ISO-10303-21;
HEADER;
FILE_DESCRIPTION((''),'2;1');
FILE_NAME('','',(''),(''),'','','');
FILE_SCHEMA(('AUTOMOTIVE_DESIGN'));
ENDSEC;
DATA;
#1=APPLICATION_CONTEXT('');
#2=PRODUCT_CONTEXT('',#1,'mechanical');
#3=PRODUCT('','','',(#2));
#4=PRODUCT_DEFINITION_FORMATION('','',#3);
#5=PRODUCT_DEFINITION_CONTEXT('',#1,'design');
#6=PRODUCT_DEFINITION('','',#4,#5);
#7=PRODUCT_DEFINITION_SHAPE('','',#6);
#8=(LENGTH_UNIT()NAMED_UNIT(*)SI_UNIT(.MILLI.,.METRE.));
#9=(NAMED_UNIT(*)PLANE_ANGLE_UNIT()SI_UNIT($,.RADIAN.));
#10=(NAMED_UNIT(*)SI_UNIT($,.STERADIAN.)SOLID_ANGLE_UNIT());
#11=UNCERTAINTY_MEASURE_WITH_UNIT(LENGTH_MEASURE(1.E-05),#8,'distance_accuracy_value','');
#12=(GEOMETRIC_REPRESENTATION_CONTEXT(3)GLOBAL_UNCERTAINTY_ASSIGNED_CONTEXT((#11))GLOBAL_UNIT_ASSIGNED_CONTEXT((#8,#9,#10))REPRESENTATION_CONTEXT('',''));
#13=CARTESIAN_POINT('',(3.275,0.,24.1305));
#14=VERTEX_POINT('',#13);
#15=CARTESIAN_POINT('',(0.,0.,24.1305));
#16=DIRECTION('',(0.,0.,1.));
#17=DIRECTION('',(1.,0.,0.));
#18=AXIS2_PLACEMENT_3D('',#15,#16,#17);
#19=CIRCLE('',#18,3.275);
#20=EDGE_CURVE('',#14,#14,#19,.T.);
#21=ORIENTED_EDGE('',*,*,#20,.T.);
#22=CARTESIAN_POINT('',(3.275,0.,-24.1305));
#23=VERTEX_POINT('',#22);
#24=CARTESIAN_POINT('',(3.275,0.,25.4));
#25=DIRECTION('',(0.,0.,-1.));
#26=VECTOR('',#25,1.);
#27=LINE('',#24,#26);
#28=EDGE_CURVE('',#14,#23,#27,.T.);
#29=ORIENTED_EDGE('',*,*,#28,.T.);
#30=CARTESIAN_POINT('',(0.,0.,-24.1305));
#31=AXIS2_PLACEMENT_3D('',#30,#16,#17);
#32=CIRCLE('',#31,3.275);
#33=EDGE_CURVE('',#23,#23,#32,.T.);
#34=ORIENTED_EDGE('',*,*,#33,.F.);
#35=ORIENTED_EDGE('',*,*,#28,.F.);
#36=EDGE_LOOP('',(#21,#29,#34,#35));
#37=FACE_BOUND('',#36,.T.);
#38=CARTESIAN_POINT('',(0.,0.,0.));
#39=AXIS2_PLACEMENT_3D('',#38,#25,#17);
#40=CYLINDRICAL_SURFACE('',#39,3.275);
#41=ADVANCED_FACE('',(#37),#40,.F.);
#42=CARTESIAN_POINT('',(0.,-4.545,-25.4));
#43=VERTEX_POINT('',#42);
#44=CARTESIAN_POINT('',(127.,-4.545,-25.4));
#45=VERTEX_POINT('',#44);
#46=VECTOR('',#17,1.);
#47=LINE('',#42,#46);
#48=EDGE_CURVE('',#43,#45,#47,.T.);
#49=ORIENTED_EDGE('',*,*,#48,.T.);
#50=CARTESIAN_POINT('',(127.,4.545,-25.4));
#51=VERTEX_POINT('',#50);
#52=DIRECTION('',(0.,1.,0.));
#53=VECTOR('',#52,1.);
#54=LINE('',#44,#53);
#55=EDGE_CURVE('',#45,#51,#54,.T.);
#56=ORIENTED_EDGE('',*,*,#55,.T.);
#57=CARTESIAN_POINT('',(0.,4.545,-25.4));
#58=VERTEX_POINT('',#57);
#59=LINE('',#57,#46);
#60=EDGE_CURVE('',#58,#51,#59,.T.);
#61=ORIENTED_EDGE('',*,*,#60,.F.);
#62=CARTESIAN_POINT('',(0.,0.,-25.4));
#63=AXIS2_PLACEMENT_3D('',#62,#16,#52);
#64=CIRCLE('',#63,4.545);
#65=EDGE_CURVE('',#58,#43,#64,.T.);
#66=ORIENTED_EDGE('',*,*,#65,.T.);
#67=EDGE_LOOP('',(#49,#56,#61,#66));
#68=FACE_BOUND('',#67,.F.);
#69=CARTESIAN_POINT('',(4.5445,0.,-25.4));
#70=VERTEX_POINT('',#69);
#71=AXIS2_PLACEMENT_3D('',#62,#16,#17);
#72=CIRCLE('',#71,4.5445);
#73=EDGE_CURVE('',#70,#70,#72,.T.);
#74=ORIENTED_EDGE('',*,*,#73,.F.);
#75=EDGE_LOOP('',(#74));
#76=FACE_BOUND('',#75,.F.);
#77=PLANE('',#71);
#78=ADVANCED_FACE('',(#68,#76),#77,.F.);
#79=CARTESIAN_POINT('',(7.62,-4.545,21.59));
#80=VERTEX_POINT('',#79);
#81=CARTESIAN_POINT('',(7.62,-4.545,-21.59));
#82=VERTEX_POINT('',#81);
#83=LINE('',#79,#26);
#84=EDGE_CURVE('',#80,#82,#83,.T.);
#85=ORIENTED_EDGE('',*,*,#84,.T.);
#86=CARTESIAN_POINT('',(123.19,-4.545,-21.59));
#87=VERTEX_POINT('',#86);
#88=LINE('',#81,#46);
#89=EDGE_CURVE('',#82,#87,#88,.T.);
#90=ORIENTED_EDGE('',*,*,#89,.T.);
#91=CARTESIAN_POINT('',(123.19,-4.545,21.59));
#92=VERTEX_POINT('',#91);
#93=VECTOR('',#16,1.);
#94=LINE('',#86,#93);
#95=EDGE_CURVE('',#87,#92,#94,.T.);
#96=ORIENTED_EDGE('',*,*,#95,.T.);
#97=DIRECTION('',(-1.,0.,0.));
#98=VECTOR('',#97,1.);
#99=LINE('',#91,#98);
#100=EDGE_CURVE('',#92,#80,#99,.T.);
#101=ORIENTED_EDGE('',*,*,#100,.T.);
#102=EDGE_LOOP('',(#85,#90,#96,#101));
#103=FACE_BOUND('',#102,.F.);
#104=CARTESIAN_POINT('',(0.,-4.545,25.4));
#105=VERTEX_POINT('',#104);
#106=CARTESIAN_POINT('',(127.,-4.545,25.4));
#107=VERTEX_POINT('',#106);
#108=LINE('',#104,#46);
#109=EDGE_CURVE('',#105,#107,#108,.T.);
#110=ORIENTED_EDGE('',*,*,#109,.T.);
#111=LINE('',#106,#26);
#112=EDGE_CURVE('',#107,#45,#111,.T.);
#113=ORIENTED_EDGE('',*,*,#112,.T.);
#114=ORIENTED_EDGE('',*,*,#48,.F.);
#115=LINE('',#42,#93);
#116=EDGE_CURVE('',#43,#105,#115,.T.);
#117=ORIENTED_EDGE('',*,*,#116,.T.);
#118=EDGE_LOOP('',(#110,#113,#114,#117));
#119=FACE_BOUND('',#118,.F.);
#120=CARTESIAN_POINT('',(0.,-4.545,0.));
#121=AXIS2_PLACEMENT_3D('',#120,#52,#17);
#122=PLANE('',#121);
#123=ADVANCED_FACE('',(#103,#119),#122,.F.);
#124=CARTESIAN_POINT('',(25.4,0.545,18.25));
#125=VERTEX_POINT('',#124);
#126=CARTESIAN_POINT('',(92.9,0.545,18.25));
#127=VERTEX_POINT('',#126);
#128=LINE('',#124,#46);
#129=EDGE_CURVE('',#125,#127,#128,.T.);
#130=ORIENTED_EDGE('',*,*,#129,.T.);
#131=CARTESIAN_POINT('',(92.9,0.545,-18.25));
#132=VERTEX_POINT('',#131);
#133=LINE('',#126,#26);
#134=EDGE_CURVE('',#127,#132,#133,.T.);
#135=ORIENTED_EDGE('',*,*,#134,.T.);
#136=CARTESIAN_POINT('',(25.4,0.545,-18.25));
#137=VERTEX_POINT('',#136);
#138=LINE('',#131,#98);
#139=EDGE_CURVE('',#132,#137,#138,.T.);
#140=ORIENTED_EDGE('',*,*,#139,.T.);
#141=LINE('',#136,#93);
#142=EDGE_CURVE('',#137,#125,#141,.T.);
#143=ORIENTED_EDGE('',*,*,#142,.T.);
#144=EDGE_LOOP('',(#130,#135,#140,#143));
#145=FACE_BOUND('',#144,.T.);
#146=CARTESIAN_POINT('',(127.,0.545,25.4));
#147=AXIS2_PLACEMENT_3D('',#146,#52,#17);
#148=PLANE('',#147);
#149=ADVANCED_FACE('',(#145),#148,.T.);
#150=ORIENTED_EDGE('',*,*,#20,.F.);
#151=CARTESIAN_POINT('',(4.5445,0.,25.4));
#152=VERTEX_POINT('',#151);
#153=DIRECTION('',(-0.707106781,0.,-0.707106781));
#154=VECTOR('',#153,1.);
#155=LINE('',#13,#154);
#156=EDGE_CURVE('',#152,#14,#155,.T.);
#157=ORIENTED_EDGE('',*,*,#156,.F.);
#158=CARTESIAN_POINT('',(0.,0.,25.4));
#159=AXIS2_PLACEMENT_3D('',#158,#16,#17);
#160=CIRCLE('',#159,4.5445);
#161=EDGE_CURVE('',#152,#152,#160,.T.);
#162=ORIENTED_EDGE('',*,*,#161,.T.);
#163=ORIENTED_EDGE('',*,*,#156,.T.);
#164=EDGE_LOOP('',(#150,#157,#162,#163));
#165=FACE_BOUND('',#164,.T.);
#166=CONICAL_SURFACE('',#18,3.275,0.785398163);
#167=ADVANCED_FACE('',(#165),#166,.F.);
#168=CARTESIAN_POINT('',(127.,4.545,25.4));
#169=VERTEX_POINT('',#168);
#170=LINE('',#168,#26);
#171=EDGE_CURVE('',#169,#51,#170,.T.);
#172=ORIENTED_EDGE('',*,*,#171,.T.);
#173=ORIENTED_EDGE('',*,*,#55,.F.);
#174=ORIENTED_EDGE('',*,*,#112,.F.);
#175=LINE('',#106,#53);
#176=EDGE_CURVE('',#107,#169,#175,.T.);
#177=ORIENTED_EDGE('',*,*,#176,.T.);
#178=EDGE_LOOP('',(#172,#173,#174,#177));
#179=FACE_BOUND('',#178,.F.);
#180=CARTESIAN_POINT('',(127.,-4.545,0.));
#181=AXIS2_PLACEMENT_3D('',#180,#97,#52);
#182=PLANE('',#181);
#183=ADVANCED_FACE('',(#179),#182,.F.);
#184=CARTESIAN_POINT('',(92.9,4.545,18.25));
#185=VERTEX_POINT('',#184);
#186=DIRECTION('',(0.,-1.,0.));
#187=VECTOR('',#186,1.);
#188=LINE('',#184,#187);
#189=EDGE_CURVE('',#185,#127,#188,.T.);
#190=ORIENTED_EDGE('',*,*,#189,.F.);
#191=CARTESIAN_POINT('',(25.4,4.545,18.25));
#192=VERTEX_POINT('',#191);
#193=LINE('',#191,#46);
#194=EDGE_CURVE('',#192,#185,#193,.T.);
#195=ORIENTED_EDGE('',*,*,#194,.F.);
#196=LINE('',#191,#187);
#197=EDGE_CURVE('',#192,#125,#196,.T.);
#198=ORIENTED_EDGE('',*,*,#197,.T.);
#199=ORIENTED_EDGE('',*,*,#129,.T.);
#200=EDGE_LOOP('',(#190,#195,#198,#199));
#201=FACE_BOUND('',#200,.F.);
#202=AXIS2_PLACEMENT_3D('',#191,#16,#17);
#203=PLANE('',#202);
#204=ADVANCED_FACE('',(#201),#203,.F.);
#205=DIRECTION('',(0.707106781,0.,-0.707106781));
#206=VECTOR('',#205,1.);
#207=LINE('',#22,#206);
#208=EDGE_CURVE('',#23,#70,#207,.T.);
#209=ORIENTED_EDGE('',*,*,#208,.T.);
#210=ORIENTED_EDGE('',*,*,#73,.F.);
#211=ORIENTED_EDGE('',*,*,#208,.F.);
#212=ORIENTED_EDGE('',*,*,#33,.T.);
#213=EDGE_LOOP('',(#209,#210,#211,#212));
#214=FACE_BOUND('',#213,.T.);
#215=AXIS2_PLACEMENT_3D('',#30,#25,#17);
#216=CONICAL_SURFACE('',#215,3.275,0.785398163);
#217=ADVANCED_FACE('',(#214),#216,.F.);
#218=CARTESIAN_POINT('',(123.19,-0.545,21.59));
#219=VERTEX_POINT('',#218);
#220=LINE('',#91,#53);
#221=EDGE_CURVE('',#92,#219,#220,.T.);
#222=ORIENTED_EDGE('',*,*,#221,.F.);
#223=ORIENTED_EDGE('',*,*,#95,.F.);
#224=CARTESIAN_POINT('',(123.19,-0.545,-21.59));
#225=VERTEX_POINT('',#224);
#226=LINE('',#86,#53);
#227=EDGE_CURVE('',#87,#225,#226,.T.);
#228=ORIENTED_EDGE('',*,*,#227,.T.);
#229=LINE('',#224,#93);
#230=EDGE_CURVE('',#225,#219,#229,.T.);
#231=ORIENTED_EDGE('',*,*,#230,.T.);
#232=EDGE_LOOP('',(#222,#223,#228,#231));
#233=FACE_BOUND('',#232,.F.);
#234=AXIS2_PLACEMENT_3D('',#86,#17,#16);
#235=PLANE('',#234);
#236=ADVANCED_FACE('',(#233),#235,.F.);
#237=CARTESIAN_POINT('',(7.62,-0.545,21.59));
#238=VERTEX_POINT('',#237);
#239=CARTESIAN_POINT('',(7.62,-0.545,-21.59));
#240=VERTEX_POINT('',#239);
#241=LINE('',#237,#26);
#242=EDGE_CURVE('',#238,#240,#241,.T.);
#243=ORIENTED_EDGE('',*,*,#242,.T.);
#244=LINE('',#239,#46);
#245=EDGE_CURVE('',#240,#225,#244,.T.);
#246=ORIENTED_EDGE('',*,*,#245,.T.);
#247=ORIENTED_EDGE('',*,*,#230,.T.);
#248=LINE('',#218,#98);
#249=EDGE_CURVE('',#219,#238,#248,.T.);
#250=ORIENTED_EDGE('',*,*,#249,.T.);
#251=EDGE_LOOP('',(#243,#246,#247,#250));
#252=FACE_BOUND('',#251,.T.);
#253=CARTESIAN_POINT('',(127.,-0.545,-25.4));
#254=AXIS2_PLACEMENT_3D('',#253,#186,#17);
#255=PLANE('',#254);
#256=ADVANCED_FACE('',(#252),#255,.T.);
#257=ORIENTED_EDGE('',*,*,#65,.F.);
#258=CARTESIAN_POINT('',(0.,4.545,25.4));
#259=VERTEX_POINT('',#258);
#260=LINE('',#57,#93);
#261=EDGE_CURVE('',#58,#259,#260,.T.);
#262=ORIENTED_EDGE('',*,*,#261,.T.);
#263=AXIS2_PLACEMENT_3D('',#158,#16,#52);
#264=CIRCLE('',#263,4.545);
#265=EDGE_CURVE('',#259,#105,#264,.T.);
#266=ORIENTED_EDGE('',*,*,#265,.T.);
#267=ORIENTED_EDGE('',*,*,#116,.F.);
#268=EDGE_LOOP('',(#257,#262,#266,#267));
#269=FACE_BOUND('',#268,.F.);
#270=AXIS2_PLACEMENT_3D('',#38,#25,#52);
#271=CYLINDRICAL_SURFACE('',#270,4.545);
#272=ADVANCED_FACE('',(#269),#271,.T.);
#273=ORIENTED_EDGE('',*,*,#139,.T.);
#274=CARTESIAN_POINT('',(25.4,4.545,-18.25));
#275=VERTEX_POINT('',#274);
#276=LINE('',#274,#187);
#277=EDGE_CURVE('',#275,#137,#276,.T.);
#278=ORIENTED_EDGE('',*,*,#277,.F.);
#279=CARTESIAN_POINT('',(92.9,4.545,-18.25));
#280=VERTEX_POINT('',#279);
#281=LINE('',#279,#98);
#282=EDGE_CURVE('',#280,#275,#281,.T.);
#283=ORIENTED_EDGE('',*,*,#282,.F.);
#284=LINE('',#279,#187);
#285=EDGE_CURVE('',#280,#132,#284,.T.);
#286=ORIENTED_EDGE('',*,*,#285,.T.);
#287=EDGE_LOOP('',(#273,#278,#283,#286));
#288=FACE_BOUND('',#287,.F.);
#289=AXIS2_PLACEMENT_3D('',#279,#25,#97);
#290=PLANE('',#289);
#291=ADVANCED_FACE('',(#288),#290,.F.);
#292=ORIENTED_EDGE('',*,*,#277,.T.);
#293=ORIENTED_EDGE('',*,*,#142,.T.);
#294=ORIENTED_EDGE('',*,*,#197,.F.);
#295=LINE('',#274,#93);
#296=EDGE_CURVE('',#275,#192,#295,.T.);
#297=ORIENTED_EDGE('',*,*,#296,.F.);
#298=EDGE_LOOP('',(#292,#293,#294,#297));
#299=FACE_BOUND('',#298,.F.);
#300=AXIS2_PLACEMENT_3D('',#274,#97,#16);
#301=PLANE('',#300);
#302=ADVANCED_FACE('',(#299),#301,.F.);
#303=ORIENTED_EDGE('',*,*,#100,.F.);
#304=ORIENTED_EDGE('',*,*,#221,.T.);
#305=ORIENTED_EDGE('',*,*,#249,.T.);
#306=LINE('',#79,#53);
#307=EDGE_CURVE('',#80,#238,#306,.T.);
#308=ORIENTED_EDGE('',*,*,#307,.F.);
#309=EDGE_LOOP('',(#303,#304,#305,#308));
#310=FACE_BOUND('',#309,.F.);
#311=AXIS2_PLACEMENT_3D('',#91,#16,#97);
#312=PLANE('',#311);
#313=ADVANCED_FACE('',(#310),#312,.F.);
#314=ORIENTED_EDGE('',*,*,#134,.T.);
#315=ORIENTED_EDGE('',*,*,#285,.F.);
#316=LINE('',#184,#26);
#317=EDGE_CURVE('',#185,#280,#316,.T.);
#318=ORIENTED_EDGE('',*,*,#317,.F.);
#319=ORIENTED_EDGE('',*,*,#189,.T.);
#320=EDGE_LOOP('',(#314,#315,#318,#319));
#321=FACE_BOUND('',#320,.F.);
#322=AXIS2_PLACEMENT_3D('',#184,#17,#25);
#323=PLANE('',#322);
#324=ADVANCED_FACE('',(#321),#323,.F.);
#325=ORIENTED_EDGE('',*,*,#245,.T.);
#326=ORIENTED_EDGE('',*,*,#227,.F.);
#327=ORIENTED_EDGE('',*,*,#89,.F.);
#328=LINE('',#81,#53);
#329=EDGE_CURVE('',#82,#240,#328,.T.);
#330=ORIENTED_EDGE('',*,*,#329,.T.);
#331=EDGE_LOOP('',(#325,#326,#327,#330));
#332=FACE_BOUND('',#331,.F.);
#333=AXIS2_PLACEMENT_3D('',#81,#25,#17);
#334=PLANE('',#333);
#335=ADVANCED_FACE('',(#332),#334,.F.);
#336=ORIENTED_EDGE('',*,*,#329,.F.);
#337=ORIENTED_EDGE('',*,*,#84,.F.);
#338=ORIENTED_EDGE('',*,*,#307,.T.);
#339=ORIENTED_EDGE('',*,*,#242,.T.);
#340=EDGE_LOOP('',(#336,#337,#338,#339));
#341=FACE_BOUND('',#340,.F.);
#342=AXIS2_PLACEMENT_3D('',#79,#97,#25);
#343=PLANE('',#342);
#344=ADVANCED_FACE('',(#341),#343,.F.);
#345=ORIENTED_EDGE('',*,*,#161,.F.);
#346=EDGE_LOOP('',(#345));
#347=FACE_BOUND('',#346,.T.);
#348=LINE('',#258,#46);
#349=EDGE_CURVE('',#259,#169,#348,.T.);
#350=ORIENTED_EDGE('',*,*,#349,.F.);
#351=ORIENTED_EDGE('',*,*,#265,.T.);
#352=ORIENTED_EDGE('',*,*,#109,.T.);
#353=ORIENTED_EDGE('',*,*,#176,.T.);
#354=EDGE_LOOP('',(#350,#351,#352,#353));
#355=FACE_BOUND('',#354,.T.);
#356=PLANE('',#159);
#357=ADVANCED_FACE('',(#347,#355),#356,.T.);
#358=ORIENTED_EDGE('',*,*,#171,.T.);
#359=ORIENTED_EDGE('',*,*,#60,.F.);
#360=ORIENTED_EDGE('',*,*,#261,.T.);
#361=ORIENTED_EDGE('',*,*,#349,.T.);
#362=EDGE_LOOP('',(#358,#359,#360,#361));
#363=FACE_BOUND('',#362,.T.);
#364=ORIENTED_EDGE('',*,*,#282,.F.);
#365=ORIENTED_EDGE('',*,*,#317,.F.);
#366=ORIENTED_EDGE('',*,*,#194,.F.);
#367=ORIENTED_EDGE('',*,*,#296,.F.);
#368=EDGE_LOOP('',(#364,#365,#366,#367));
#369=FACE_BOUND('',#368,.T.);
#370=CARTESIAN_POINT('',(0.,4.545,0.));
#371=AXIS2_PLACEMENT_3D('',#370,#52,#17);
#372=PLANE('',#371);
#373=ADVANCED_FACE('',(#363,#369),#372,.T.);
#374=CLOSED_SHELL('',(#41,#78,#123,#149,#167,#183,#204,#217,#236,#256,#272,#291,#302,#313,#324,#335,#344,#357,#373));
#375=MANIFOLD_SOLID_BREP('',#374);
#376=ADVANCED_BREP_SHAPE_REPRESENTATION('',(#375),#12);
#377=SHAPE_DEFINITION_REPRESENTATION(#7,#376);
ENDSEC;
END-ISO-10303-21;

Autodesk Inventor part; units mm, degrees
ref_plane "YZ Plane" through (0, 0, 0) normal (1, 0, 0) x (0, 1, 0)
ref_plane "XZ Plane" through (0, 0, 0) normal (0, 1, 0) x (-1, 0, 0)
ref_plane "XY Plane" through (0, 0, 0) normal (0, 0, 1) x (1, 0, 0)
sketch "Sketch2" plane through (0, 0, 0) normal (0, 0, 1) x (1, 0, 0)
  arc A0 (0, 4.545) -> (0, -4.545) centre (0, 0) ccw
  circle A1 centre (0, 0) radius 3.275
  line L0 (0, 4.545) -> (127, 4.545)
  line L1 (0, -4.545) -> (127, -4.545)
  line L2 (127, -4.545) -> (127, 4.545)
  dimension "d0" = 1.27
  dimension "d1" = 6.55
  dimension "d2" = 127
extrude "Extrusion1" add sketch "Sketch2" along normal mid plane 50.8
chamfer "Chamfer1" distance 1.27 angle 45 1 edges at (-3.275, 0, 25.4)
chamfer "Chamfer2" distance 1.27 angle 45 1 edges at (-3.275, 0, -25.4)
sketch "Sketch3" plane through (127, 4.545, 25.4) normal (0, 1, 0) x (1, 0, 0)
  line L0 (-101.6, 7.15) -> (-34.1, 7.15)
  line L1 (-34.1, 7.15) -> (-34.1, 43.65)
  line L2 (-34.1, 43.65) -> (-101.6, 43.65)
  line L3 (-101.6, 43.65) -> (-101.6, 7.15)
  line L4 (0, 0) -> (-127, 0) projected
  line L5 (-127, 50.8) -> (-127, 0) projected
  line L6 (-127, 50.8) -> (0, 50.8) projected
  point P0 (-127, 25.4)
  point P1 (-101.6, 25.4)
  dimension "d12" = 36.5
  dimension "d13" = 67.5
  dimension "d15" = 25.4
  dimension "d16" = 25.4
extrude "Extrusion2" cut sketch "Sketch3" against normal blind 4
sketch "Sketch4" plane through (127, -4.545, -25.4) normal (0, -1, 0) x (1, 0, 0)
  line L0 (-119.38, 3.81) -> (-3.81, 3.81)
  line L1 (-3.81, 3.81) -> (-3.81, 46.99)
  line L2 (-3.81, 46.99) -> (-119.38, 46.99)
  line L3 (-119.38, 46.99) -> (-119.38, 3.81)
  line L4 (0, 0) -> (0, 50.8) projected
  line L5 (0, 0) -> (-127, 0) projected
  line L6 (-127, 50.8) -> (0, 50.8) projected
  line L7 (-127, 50.8) -> (-127, 0) projected
  point P0 (-127, 25.4)
  point P1 (-3.81, 25.4)
  dimension "d19" = 3.81
  dimension "d20" = 3.81
  dimension "d21" = 3.81
  dimension "d22" = 7.62
extrude "Extrusion3" cut sketch "Sketch4" against normal blind 4 contours L3 L2 L1 L0
properties part number "Leaf"
